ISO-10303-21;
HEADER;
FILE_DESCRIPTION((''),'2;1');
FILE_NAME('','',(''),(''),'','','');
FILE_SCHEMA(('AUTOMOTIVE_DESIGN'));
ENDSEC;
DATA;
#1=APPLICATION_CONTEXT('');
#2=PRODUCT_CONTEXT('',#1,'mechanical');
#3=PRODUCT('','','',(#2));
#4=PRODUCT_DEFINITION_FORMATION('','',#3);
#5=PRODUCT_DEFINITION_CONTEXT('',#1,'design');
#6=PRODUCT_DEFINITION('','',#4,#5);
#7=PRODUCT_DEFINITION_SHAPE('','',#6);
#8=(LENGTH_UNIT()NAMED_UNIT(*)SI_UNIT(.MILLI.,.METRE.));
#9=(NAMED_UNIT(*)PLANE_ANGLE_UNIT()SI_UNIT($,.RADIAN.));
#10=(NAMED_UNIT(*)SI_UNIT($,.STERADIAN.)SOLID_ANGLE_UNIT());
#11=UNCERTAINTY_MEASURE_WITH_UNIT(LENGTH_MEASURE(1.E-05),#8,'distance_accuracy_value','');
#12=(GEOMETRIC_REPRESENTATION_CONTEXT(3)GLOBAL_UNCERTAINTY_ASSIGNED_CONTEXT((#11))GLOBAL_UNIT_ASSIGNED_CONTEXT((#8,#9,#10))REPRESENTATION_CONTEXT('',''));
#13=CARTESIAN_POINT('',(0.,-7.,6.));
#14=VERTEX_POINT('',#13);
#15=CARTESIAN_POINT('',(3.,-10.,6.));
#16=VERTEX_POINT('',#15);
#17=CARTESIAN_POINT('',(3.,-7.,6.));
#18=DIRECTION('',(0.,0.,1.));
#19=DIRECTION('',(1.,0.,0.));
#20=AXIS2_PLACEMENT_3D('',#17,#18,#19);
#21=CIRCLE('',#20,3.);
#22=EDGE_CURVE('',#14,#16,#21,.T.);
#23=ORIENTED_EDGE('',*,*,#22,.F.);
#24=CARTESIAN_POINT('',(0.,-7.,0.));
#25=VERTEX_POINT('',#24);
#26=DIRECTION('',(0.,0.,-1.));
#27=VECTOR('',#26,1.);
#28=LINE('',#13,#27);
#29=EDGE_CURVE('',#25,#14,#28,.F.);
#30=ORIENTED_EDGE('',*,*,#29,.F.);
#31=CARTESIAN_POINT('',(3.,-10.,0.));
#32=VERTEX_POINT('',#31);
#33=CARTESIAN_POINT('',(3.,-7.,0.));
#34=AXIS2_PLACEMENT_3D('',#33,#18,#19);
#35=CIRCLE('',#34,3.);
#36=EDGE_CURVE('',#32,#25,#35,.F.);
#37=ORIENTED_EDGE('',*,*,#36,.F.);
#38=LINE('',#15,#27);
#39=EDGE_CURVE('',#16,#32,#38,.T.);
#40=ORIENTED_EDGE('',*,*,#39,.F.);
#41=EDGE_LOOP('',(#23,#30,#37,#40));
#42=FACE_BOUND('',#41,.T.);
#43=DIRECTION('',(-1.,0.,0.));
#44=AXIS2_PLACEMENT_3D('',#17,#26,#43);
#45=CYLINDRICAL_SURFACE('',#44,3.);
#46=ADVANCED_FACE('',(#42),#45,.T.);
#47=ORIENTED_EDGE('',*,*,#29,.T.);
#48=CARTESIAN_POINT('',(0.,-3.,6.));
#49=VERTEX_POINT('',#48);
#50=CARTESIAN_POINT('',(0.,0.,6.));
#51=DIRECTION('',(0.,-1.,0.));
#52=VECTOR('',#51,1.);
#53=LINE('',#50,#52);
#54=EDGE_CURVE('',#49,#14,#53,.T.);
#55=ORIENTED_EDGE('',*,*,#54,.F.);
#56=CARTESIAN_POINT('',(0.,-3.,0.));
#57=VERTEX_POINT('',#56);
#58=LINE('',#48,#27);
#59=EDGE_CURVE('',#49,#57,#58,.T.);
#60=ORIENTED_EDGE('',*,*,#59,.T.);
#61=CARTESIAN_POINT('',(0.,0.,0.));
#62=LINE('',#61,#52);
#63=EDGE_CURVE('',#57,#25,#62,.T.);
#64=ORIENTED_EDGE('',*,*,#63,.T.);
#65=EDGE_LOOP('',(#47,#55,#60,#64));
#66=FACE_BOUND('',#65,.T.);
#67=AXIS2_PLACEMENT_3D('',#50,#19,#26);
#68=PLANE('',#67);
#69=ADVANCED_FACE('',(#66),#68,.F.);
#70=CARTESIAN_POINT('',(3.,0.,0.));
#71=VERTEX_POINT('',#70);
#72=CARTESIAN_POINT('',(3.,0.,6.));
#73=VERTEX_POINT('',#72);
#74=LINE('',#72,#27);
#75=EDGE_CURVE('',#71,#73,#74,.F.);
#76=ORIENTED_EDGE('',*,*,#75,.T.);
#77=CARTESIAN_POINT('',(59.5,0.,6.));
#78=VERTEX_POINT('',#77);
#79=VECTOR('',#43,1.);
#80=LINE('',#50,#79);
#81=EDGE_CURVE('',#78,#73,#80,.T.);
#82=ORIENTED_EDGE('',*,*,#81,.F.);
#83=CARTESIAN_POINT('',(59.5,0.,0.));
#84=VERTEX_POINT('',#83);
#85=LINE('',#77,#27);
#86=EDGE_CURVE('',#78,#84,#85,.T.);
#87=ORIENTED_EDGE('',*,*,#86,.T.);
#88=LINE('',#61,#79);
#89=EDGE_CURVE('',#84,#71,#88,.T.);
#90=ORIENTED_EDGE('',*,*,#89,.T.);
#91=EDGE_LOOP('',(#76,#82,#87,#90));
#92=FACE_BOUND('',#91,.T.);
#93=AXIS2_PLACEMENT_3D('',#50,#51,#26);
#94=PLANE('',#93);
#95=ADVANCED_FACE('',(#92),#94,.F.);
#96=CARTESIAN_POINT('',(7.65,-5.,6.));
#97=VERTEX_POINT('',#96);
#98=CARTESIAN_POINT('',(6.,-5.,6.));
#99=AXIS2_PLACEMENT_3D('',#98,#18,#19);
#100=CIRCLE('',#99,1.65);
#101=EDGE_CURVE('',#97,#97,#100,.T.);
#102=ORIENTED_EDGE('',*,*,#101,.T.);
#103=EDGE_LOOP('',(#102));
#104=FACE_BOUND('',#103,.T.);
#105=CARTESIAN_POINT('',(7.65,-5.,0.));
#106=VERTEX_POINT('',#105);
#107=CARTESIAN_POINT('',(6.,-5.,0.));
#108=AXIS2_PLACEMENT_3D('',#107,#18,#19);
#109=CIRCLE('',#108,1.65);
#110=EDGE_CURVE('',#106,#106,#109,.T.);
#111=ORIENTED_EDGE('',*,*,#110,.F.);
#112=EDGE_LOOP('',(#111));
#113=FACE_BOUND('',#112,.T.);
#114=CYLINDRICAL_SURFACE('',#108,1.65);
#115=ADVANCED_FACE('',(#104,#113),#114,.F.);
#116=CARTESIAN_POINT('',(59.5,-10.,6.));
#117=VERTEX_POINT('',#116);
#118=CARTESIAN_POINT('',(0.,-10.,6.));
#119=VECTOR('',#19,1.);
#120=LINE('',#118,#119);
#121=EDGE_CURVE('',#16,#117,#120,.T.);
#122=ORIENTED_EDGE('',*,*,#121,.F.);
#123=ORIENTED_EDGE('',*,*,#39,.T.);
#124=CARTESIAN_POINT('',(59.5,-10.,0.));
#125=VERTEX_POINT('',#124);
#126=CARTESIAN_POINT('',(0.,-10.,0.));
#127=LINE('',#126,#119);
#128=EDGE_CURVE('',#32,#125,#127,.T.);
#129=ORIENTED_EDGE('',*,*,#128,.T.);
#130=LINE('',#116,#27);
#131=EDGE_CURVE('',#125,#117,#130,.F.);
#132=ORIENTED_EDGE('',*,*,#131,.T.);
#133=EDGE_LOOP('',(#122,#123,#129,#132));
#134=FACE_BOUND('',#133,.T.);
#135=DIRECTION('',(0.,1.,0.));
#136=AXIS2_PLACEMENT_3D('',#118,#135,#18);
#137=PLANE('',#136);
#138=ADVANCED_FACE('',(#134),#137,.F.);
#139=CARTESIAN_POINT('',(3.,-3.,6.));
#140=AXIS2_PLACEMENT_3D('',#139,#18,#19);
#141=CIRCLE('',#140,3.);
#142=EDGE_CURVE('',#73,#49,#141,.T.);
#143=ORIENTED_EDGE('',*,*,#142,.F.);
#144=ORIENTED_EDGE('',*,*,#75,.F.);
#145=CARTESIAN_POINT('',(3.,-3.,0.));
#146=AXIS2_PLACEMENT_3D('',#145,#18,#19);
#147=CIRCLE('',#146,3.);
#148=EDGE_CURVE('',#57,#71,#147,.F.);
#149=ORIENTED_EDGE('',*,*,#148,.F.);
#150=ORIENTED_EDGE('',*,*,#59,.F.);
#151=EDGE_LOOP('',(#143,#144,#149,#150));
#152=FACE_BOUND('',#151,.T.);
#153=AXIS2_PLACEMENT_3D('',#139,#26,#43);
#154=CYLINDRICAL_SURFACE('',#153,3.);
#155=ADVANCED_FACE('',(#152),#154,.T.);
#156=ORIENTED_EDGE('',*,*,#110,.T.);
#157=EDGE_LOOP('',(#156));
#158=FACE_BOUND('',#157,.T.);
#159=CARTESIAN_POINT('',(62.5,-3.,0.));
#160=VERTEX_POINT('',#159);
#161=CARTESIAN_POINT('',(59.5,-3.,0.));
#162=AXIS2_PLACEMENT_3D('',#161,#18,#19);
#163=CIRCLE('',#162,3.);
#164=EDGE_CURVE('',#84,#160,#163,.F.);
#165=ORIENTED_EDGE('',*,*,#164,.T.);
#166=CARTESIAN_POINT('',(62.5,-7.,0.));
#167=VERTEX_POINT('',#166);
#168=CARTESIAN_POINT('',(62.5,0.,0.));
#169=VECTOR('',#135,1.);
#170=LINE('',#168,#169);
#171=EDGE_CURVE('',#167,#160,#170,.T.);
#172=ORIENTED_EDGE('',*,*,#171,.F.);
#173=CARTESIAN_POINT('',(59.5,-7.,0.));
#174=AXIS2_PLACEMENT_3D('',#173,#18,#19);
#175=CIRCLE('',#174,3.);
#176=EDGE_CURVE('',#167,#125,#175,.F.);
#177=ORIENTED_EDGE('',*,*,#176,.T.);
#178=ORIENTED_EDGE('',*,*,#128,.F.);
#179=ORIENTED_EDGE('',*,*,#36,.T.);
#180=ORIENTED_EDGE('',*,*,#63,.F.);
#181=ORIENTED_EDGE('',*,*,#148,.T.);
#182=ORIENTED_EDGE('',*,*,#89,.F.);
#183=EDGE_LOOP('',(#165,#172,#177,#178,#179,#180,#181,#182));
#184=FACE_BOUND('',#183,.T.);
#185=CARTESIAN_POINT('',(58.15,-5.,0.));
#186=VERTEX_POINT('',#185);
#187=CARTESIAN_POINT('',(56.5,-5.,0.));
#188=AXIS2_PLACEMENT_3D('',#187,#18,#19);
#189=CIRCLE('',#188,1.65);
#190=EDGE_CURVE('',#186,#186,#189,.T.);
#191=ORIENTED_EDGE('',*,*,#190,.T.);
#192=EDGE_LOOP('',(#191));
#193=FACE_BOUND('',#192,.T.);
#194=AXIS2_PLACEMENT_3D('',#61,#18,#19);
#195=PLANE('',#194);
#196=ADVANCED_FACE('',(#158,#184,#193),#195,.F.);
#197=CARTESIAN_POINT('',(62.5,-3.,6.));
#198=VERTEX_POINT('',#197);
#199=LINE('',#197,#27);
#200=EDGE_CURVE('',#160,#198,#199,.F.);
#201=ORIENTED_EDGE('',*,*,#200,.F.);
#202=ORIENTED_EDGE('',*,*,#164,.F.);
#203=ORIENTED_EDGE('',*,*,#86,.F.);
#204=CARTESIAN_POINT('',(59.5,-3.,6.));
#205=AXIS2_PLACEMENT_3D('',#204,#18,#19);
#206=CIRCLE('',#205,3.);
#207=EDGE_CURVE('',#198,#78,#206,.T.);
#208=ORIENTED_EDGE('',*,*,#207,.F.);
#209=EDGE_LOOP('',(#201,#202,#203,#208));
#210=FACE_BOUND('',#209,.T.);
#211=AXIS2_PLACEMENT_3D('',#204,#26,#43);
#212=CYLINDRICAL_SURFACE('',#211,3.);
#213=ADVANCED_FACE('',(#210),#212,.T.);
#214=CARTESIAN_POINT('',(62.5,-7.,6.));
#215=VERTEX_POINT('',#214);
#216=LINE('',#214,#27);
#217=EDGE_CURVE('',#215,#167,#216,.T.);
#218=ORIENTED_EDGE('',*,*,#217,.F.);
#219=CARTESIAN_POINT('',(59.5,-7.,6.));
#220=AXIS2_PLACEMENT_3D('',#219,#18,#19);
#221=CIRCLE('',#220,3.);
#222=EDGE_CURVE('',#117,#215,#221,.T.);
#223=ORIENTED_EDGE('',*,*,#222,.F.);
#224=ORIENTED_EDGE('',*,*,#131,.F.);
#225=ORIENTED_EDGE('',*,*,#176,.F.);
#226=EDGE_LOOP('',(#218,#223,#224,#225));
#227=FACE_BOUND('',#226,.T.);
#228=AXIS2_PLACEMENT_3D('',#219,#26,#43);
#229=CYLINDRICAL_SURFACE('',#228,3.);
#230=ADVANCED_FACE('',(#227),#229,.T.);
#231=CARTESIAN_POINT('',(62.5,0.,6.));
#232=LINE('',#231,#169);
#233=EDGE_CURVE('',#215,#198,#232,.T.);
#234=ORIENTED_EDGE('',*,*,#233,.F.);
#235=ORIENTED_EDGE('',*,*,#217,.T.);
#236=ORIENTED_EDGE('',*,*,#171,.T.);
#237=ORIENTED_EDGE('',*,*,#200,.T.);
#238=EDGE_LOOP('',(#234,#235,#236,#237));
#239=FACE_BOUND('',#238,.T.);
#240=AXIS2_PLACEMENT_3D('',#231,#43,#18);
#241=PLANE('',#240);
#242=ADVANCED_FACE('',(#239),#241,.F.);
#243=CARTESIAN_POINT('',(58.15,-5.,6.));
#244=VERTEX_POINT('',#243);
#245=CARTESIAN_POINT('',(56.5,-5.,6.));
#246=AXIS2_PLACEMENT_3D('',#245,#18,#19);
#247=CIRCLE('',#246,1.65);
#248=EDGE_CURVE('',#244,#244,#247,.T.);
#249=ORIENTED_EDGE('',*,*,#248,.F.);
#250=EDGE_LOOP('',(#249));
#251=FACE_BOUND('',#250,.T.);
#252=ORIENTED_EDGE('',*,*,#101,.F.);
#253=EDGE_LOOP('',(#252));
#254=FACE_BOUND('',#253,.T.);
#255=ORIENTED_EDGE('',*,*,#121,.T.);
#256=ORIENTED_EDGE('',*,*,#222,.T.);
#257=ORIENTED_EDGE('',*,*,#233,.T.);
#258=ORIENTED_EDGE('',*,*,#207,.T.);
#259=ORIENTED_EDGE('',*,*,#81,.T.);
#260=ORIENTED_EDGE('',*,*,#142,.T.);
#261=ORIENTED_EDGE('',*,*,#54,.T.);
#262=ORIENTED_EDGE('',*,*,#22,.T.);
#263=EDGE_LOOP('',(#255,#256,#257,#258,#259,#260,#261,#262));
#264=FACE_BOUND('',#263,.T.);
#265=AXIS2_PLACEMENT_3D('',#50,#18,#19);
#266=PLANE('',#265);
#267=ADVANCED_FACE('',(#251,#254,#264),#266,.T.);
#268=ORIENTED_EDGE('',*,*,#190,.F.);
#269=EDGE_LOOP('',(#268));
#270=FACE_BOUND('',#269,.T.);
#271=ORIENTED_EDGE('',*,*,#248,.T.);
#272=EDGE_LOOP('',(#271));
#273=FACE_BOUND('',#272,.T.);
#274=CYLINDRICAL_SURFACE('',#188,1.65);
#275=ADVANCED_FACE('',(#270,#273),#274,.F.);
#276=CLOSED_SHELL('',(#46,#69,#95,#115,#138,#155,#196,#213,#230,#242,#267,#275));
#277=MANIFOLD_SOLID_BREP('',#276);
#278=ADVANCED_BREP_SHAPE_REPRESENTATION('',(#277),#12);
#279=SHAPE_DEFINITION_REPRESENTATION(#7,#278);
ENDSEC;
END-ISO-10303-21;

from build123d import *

# Parameters (mm, degrees)
SKETCH1_W           = 62.5
SKETCH1_H           = 10
BOSS_EXTRUDE1_DEPTH = 6
SKETCH2_R           = 1.65
CUT_EXTRUDE1_DEPTH  = 64.578691399
FILLET1_R           = 3


with BuildPart() as part:
    # Sketch1 → Boss-Extrude1 (new body)
    with BuildSketch(Plane.XY):
        with Locations((31.25, -5)):
            Rectangle(SKETCH1_W, SKETCH1_H)
    extrude(amount=BOSS_EXTRUDE1_DEPTH)

    # Sketch2 → Cut-Extrude1 (cut, through all)
    with BuildSketch(Plane.XY.offset(6)):
        with Locations((56.5, -5)):
            Circle(SKETCH2_R)
        with Locations((6, -5)):
            Circle(SKETCH2_R)
    extrude(amount=-CUT_EXTRUDE1_DEPTH, mode=Mode.SUBTRACT)

    # Fillet1
    fillet1_edges = [part.edges().sort_by_distance(p)[0] for p in [
        (0, 0, 3),
        (62.5, 0, 3),
        (62.5, -10, 3),
        (0, -10, 3),
    ]]
    fillet(fillet1_edges, radius=FILLET1_R)


solid = part.part
